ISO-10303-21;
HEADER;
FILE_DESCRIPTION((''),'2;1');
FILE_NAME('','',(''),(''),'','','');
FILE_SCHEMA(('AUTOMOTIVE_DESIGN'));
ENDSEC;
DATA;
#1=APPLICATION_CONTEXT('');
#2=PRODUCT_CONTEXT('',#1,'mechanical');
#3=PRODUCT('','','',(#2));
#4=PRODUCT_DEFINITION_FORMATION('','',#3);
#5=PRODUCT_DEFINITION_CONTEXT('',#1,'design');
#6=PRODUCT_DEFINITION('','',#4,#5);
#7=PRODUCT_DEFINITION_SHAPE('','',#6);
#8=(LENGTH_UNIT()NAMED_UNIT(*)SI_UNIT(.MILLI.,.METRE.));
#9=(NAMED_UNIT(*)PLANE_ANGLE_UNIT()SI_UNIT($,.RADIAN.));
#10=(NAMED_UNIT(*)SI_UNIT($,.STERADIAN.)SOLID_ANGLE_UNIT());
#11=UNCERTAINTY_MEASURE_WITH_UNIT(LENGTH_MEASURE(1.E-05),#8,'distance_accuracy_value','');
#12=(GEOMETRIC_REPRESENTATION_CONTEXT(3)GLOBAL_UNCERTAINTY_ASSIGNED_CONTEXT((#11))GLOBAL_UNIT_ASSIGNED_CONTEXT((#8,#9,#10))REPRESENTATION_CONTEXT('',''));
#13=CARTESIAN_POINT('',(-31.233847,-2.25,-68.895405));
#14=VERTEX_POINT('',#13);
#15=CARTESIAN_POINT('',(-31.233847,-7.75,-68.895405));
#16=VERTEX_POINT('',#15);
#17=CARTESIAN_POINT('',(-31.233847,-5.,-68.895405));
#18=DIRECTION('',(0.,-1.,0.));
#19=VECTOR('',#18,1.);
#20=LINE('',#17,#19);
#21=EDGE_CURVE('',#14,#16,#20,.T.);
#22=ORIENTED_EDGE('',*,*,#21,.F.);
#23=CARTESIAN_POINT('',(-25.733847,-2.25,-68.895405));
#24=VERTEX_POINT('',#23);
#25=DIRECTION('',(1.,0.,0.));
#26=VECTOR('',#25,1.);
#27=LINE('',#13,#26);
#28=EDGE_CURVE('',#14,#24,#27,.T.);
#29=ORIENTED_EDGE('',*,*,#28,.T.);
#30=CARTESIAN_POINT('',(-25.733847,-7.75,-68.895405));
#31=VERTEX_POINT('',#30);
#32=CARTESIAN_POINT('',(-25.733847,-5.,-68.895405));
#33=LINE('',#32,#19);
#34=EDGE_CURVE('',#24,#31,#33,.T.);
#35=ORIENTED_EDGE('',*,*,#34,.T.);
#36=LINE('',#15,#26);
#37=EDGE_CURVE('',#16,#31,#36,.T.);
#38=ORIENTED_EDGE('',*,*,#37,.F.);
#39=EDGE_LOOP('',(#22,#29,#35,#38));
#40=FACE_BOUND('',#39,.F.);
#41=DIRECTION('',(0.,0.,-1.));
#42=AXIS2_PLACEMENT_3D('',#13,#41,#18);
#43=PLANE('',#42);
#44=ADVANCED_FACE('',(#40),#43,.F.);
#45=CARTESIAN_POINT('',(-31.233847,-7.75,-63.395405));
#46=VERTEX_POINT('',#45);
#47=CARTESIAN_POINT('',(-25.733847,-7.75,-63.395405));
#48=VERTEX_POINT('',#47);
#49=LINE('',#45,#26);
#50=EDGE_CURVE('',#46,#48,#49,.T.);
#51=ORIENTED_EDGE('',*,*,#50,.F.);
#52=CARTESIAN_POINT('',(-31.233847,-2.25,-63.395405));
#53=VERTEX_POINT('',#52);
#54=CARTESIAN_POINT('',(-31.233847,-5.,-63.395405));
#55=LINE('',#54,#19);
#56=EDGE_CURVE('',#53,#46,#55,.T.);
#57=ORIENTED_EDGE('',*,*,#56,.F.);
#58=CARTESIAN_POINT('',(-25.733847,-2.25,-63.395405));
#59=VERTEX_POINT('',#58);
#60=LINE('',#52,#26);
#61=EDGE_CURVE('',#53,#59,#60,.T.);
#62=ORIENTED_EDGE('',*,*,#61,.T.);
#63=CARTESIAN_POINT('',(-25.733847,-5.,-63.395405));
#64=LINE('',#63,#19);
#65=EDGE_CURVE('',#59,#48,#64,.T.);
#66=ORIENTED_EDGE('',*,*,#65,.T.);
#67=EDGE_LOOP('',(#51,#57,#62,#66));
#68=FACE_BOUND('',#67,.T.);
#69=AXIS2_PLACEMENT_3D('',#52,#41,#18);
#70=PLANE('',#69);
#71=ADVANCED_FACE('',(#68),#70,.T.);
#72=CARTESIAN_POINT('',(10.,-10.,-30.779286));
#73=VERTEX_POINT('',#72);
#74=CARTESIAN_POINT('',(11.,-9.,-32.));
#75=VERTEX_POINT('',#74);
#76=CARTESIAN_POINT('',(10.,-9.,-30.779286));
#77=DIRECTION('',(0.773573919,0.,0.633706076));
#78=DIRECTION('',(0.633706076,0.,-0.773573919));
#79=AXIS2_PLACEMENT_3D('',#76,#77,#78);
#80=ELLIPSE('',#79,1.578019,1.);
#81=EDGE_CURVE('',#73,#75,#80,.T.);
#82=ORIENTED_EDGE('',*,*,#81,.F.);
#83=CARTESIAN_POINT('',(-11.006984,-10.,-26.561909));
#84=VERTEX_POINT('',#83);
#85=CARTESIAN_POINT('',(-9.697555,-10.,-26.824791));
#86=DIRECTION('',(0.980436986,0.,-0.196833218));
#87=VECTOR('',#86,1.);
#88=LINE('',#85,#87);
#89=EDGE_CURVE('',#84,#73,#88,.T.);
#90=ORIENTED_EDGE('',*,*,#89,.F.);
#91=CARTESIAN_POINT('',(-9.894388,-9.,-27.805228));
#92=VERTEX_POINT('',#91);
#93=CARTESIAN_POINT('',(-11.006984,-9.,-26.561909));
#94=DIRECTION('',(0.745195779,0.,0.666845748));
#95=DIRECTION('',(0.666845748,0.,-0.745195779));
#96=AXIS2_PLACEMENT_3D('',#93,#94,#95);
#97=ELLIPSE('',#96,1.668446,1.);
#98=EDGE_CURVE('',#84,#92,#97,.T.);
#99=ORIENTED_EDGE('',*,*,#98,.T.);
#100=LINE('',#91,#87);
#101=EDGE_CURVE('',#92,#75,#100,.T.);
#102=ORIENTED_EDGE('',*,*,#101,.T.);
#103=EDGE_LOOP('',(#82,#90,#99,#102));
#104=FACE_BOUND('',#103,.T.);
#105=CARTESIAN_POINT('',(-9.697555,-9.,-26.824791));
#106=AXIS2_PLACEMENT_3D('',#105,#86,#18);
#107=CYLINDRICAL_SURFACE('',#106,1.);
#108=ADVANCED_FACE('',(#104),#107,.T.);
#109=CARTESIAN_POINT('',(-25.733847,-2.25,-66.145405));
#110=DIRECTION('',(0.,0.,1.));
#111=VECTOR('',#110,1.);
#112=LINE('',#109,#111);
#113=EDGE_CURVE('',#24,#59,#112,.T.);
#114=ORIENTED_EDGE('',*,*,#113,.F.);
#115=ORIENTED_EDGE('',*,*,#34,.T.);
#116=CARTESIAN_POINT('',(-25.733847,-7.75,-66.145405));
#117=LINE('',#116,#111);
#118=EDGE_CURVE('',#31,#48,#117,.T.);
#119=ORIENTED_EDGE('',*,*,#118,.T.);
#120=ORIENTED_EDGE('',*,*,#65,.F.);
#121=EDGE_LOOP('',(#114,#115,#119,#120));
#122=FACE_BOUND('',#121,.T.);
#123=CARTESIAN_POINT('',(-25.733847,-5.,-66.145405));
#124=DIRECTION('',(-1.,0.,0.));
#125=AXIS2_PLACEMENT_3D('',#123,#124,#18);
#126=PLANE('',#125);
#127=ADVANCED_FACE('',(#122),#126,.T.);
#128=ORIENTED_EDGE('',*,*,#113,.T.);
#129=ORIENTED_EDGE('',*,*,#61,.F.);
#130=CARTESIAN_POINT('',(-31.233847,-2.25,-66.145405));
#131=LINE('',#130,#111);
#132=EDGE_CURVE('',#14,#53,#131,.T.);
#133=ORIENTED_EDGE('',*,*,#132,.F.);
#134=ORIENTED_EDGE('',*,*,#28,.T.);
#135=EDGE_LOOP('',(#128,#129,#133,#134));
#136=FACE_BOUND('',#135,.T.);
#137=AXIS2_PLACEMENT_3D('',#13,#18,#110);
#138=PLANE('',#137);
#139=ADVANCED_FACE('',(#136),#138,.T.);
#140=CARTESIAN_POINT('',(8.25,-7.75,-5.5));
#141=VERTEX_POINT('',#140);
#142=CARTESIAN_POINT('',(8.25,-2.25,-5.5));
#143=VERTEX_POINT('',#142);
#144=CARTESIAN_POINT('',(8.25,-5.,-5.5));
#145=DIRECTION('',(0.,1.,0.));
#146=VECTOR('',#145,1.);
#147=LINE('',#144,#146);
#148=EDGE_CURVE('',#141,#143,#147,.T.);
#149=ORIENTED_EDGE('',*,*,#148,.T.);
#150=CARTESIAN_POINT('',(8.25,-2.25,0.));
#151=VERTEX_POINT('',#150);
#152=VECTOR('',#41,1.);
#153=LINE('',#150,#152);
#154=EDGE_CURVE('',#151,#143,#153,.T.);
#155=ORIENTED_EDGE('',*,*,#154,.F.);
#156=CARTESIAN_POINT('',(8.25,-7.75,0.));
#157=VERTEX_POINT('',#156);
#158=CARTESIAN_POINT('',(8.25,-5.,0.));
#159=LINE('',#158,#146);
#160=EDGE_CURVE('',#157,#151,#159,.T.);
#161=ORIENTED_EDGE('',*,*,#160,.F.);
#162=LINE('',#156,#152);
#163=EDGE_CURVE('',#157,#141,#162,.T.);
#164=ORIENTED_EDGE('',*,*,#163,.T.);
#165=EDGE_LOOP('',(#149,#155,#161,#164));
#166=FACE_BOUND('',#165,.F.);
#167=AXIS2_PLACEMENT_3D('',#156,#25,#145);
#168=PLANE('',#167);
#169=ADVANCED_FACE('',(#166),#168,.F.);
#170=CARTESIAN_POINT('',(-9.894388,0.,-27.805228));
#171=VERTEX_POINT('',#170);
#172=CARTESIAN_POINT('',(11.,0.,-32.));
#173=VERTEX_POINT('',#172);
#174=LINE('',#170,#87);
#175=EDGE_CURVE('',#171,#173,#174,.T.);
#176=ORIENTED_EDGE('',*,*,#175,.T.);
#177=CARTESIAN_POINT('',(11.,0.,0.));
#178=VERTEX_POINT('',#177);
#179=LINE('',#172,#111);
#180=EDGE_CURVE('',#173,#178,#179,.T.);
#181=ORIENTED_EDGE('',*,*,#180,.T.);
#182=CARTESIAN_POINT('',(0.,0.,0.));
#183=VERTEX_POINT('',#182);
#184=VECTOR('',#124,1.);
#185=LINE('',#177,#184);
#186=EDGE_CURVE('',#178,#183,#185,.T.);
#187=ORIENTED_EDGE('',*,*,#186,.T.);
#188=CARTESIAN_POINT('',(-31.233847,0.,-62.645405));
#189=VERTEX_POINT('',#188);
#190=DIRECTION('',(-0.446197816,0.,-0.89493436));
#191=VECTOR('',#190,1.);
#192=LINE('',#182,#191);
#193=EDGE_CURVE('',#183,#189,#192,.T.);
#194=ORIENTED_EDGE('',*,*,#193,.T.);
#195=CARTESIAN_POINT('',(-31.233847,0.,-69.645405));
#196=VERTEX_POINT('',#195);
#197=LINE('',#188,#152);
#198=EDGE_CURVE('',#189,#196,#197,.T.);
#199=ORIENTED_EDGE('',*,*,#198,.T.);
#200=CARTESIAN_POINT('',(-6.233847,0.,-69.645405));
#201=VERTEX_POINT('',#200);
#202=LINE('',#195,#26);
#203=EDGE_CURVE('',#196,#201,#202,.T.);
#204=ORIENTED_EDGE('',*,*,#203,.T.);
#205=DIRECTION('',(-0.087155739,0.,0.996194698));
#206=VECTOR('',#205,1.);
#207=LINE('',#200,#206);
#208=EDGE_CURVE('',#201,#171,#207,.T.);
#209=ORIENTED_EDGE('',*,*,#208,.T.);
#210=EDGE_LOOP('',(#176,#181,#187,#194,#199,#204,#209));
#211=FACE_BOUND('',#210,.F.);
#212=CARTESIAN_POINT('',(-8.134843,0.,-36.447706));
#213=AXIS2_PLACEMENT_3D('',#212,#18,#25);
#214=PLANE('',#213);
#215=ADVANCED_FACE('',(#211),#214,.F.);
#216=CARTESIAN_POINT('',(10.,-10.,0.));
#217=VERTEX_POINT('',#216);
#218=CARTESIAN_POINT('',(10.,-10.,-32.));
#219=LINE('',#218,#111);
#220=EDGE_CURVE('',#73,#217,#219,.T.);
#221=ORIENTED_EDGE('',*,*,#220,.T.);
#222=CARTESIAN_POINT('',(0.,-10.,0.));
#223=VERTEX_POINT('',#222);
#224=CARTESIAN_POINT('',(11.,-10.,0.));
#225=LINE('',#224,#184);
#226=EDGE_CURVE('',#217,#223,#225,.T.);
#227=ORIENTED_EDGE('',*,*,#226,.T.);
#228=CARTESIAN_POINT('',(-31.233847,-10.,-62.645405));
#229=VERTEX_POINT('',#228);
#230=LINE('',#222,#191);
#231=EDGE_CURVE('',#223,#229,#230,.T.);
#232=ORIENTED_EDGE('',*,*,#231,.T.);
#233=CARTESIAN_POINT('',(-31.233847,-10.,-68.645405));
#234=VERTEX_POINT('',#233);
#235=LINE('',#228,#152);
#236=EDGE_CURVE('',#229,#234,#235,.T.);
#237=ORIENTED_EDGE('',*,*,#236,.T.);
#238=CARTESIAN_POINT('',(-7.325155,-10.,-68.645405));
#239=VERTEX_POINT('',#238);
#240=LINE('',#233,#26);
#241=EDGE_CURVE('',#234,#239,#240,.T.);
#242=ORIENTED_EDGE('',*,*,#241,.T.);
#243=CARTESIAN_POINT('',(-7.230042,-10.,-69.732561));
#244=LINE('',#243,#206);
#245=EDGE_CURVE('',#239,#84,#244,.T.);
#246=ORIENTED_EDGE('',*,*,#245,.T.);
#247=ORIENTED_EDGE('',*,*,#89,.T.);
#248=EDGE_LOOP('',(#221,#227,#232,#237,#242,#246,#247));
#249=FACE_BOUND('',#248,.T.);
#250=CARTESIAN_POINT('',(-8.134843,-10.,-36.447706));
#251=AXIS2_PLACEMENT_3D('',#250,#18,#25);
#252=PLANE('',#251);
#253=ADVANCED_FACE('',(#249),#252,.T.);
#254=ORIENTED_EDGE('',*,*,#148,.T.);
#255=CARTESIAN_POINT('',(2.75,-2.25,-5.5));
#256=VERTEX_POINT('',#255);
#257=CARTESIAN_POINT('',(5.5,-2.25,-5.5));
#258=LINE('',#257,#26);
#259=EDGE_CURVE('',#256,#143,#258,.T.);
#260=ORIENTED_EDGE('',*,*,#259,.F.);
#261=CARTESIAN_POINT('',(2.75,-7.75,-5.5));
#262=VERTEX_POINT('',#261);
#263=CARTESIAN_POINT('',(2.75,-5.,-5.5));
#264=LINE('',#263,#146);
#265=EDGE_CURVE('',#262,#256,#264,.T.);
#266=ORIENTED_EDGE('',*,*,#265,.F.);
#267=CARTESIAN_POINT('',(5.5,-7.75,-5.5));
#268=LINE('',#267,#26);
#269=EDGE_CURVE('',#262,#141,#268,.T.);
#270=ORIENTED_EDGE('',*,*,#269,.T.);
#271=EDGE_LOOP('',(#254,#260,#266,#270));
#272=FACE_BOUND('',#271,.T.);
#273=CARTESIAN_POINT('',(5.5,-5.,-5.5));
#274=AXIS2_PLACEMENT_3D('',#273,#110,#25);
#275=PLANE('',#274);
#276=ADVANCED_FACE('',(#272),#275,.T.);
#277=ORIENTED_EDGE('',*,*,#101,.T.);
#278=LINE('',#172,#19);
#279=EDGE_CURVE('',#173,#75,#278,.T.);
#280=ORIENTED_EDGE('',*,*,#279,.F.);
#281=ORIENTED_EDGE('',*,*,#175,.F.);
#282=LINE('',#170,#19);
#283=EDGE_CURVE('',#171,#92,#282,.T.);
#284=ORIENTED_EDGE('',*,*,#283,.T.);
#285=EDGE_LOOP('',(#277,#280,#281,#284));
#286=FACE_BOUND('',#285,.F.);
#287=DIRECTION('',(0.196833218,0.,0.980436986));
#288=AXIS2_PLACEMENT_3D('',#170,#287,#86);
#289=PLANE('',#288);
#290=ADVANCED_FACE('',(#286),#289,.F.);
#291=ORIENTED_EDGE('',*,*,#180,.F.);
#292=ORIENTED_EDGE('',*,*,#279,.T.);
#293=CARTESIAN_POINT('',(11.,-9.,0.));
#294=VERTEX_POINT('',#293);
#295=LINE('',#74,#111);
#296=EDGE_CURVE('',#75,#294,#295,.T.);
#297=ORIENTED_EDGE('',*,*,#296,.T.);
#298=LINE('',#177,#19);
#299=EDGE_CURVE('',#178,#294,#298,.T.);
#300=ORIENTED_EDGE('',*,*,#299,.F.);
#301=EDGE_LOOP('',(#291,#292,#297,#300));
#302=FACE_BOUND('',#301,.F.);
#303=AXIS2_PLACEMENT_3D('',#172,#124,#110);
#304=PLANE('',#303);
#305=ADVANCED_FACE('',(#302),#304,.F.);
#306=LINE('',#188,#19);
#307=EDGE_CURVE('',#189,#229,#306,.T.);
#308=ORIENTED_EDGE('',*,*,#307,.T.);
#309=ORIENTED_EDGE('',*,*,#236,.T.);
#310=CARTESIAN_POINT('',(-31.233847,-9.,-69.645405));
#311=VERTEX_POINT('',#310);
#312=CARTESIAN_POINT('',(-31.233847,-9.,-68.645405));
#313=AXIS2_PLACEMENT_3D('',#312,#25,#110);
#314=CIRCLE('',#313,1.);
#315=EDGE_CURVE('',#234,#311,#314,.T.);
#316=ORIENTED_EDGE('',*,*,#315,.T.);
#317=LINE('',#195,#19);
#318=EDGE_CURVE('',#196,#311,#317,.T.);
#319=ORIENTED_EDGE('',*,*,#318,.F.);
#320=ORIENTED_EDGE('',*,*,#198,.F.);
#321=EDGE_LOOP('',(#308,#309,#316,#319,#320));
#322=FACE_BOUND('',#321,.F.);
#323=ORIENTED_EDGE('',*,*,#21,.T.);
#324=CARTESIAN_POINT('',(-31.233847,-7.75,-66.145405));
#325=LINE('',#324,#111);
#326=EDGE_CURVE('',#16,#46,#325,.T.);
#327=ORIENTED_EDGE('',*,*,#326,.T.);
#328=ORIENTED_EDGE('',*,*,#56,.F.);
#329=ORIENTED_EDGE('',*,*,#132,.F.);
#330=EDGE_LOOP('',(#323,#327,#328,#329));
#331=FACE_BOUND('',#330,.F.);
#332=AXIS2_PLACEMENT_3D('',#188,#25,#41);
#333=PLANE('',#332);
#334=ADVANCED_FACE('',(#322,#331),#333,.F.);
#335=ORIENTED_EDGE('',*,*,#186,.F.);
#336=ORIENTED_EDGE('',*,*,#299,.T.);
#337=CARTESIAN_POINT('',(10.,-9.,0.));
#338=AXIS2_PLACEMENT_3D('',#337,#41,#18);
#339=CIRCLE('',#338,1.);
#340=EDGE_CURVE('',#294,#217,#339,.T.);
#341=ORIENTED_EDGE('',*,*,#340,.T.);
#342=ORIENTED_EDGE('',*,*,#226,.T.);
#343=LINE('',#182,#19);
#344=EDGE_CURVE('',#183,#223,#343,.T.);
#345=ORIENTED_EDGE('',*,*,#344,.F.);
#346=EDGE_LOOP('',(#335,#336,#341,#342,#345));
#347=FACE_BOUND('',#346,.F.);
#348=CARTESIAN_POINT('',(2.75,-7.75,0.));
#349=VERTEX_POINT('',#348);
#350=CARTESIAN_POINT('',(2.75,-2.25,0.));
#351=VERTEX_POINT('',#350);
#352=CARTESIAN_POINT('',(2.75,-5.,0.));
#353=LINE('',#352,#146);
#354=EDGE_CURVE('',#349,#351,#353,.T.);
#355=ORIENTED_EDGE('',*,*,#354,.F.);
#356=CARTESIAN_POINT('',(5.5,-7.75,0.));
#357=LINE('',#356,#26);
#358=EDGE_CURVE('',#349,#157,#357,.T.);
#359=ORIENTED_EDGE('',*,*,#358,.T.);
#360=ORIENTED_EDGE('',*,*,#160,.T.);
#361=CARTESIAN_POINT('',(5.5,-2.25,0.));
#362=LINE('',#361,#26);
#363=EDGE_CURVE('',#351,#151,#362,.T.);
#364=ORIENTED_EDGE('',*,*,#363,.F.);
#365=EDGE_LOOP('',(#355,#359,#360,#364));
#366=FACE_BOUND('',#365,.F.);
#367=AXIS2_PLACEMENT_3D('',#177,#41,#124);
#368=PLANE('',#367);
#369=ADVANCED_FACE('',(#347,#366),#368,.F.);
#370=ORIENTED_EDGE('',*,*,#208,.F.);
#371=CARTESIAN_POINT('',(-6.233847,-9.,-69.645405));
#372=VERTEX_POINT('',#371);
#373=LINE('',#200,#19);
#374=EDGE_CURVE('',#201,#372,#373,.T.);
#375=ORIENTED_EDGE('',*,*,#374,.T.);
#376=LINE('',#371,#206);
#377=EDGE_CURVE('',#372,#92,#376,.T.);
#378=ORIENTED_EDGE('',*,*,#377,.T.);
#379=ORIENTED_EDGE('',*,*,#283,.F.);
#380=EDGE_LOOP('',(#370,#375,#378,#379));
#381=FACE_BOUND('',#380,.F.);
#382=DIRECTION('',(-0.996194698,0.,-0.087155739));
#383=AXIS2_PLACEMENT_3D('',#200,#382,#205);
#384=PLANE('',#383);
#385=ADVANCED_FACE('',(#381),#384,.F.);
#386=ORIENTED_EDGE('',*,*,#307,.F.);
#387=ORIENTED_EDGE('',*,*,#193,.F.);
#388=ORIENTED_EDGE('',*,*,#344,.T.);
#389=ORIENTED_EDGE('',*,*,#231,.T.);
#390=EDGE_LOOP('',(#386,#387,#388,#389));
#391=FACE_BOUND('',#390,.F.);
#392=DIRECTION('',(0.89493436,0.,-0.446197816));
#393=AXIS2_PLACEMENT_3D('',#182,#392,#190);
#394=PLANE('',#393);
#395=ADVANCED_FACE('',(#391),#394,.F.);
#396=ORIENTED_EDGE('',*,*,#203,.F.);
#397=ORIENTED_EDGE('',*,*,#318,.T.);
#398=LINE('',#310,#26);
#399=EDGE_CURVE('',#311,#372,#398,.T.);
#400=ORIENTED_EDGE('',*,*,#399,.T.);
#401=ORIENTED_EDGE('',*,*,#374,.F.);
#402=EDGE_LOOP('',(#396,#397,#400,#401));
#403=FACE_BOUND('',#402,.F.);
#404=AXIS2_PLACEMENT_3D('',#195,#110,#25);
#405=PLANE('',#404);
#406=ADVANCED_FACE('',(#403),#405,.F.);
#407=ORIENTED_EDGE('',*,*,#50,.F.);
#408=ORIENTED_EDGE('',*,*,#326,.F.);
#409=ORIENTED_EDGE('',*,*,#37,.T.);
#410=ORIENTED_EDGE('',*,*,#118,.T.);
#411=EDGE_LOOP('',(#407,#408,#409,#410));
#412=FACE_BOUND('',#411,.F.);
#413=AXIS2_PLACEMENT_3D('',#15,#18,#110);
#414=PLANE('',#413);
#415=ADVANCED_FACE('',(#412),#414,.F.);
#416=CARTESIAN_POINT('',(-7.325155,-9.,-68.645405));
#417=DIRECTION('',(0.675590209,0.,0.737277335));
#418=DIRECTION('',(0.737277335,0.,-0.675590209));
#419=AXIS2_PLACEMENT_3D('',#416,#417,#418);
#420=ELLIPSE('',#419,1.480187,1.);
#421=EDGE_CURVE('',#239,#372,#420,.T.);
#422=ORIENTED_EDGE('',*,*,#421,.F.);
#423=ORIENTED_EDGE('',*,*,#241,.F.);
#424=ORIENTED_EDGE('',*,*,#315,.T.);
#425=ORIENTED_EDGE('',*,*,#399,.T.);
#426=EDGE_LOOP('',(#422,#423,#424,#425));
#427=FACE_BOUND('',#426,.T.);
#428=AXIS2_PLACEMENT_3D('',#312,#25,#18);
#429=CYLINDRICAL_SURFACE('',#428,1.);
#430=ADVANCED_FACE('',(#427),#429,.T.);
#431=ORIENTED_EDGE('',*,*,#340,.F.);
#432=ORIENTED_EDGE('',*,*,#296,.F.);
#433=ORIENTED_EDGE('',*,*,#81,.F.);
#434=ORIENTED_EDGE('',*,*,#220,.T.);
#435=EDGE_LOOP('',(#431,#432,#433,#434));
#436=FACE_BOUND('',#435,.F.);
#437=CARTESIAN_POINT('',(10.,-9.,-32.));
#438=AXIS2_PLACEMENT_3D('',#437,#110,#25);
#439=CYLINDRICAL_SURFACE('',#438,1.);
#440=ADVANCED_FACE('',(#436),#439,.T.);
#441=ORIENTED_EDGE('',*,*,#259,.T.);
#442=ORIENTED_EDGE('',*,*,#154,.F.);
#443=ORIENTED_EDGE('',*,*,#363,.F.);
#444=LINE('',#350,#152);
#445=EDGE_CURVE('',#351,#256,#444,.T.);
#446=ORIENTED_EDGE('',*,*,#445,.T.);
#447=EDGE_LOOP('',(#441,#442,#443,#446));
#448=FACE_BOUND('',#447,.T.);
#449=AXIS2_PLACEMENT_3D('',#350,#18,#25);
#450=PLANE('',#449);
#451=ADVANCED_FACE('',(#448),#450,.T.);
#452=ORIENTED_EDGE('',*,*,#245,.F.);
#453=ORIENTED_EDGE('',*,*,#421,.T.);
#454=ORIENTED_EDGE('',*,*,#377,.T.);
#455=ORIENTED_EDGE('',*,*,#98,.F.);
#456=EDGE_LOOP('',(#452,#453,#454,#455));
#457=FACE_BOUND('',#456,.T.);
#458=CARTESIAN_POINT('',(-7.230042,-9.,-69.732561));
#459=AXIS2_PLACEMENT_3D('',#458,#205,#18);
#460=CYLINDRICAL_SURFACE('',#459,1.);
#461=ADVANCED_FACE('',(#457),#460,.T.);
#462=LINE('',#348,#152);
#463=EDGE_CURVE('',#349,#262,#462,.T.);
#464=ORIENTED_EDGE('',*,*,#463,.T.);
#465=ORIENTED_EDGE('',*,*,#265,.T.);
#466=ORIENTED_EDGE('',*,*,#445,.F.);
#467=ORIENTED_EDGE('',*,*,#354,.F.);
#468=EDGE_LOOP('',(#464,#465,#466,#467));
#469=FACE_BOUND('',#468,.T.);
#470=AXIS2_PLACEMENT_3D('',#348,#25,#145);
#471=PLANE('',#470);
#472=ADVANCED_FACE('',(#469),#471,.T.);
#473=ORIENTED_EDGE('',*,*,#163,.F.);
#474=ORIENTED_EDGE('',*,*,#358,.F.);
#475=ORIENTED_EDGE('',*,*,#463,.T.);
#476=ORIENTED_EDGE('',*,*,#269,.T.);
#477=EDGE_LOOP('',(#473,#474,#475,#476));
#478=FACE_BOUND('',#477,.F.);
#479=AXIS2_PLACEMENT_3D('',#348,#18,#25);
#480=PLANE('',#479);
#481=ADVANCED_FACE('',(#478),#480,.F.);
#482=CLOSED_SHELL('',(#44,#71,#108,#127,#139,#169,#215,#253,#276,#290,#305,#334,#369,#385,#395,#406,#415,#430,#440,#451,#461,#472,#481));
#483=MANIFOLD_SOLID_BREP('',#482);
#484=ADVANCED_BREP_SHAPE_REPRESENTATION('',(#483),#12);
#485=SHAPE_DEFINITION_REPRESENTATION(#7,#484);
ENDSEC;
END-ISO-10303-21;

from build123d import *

# Parameters (mm, degrees)
F1_DEPTH = 10
F2_W     = 5.5
F2_H     = 5.5
F3_DEPTH = 5.5
F4_W     = 5.5
F4_H     = 5.5
F5_DEPTH = 5.5
F6_R     = 1


with BuildPart() as f1:
    # F0 (on Front) → F1 (new body)
    with BuildSketch(Plane.XZ):
        Polygon((11, 0), (0, 0), (-31.233847, -62.645405), (-31.233847, -69.645405), (-6.233847, -69.645405), (-9.894388, -27.805228), (11, -32), align=None)
    extrude(amount=F1_DEPTH)

    # F2 (on face) → F3 (cut)
    with BuildSketch(Plane(origin=(-31.233847, 0, 0), x_dir=(0, -1, 0), z_dir=(-1, 0, 0))):
        with Locations((5, -66.145405)):
            Rectangle(F2_W, F2_H)
    extrude(amount=-F3_DEPTH, mode=Mode.SUBTRACT)

    # F4 (on face) → F5 (cut)
    with BuildSketch(Plane.XY):
        with Locations((5.5, -5)):
            Rectangle(F4_W, F4_H)
    extrude(amount=-F5_DEPTH, mode=Mode.SUBTRACT)

    # F6
    f6_edges = [f1.edges().sort_by_distance(p)[0] for p in [
        (0.552806, -10, -29.902614),
        (-18.733847, -10, -69.645405),
        (-8.064118, -10, -48.725317),
        (11, -10, -16),
    ]]
    fillet(f6_edges, radius=F6_R)


solid = f1.part
